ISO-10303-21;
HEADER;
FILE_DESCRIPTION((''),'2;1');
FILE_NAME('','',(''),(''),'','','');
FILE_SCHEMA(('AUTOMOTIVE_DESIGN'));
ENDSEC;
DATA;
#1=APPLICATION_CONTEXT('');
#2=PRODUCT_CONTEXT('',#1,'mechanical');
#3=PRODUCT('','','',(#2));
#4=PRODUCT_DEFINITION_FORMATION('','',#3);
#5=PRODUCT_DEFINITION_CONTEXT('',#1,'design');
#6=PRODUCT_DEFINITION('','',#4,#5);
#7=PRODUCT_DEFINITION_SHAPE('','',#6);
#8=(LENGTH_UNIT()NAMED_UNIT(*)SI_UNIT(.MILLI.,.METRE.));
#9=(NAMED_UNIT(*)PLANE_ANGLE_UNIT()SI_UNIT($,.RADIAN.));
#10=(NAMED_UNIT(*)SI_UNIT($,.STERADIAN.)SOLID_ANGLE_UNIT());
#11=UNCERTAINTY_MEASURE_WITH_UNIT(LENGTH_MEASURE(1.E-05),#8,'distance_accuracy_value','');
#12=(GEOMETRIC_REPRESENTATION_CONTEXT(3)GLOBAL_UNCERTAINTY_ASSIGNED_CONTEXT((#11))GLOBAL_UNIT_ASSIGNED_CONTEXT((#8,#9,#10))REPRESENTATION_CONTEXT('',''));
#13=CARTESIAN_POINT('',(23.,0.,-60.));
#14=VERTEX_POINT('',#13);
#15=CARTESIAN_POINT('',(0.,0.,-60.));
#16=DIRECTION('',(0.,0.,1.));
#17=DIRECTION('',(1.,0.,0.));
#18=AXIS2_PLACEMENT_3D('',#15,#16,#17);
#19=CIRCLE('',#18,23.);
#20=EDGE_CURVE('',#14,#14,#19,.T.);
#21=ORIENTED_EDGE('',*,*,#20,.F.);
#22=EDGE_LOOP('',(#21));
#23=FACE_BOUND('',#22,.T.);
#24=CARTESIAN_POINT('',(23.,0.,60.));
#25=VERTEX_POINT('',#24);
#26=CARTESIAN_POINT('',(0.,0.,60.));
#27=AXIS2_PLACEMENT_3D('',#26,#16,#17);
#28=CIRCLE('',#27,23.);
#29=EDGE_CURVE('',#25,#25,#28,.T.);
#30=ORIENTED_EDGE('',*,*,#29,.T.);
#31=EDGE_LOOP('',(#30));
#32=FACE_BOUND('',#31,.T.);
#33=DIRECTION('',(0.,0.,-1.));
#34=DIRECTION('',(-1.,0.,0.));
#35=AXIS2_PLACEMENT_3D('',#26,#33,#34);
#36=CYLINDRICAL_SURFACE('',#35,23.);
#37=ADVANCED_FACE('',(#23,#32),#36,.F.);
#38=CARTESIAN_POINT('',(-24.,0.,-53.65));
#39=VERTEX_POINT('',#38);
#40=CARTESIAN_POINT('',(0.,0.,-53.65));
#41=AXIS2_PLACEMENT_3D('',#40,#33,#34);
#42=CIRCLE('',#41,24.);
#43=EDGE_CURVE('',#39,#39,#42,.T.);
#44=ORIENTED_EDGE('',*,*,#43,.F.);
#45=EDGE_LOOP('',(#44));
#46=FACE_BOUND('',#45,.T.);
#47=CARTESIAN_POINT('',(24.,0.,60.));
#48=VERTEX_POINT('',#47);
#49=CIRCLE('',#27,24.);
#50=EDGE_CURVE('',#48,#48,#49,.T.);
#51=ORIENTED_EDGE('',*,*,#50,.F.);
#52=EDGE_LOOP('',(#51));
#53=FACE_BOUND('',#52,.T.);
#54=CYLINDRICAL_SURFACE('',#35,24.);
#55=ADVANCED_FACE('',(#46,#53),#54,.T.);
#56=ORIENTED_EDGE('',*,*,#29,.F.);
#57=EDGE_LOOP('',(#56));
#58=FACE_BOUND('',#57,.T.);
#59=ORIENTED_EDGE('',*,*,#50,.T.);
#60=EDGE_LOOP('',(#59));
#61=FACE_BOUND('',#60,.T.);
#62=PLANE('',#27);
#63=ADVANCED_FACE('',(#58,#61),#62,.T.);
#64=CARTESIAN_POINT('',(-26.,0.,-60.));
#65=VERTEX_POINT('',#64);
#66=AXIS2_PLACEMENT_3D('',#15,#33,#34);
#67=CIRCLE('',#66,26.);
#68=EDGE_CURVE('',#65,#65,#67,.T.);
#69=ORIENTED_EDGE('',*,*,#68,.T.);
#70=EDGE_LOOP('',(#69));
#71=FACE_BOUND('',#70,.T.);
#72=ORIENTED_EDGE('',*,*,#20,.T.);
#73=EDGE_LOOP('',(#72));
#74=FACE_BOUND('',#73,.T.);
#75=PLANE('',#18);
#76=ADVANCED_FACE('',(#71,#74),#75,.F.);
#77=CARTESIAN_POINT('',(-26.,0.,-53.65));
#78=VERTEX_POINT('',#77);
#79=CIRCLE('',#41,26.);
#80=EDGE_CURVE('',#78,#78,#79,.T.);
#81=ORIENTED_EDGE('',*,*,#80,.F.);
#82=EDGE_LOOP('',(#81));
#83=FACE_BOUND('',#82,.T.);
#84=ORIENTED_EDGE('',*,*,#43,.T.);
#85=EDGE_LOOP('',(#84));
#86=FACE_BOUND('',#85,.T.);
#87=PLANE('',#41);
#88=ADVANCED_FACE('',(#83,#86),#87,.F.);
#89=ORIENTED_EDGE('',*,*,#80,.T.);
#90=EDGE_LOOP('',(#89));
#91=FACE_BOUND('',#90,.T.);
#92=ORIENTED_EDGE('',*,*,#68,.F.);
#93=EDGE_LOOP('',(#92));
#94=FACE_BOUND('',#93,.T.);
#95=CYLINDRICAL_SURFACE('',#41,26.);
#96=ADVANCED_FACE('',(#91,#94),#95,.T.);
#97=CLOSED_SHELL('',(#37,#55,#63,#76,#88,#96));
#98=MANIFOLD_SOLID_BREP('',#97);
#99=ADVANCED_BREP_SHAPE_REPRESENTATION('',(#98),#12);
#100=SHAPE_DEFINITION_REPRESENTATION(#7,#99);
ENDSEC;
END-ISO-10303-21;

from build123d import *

# Parameters (mm, degrees)
SKETCH1_R           = 24
SKETCH1_R_2         = 23
BOSS_EXTRUDE1_DEPTH = 60
BOSS_EXTRUDE2_START = -6.35
SKETCH2_R           = 26
SKETCH2_R_2         = 24
BOSS_EXTRUDE2_DEPTH = 6.35


with BuildPart() as part:
    # Sketch1 → Boss-Extrude1 (new, symmetric)
    with BuildSketch(Plane.XY):
        Circle(SKETCH1_R)
        Circle(SKETCH1_R_2, mode=Mode.SUBTRACT)
    extrude(amount=BOSS_EXTRUDE1_DEPTH, both=True)

    # Sketch2 → Boss-Extrude2 (add)
    with BuildSketch(Plane(origin=(0, 0, -60), x_dir=(-1, 0, 0), z_dir=(0, 0, -1)).offset(BOSS_EXTRUDE2_START)):
        Circle(SKETCH2_R)
        Circle(SKETCH2_R_2, mode=Mode.SUBTRACT)
    extrude(amount=BOSS_EXTRUDE2_DEPTH)


solid = part.part
